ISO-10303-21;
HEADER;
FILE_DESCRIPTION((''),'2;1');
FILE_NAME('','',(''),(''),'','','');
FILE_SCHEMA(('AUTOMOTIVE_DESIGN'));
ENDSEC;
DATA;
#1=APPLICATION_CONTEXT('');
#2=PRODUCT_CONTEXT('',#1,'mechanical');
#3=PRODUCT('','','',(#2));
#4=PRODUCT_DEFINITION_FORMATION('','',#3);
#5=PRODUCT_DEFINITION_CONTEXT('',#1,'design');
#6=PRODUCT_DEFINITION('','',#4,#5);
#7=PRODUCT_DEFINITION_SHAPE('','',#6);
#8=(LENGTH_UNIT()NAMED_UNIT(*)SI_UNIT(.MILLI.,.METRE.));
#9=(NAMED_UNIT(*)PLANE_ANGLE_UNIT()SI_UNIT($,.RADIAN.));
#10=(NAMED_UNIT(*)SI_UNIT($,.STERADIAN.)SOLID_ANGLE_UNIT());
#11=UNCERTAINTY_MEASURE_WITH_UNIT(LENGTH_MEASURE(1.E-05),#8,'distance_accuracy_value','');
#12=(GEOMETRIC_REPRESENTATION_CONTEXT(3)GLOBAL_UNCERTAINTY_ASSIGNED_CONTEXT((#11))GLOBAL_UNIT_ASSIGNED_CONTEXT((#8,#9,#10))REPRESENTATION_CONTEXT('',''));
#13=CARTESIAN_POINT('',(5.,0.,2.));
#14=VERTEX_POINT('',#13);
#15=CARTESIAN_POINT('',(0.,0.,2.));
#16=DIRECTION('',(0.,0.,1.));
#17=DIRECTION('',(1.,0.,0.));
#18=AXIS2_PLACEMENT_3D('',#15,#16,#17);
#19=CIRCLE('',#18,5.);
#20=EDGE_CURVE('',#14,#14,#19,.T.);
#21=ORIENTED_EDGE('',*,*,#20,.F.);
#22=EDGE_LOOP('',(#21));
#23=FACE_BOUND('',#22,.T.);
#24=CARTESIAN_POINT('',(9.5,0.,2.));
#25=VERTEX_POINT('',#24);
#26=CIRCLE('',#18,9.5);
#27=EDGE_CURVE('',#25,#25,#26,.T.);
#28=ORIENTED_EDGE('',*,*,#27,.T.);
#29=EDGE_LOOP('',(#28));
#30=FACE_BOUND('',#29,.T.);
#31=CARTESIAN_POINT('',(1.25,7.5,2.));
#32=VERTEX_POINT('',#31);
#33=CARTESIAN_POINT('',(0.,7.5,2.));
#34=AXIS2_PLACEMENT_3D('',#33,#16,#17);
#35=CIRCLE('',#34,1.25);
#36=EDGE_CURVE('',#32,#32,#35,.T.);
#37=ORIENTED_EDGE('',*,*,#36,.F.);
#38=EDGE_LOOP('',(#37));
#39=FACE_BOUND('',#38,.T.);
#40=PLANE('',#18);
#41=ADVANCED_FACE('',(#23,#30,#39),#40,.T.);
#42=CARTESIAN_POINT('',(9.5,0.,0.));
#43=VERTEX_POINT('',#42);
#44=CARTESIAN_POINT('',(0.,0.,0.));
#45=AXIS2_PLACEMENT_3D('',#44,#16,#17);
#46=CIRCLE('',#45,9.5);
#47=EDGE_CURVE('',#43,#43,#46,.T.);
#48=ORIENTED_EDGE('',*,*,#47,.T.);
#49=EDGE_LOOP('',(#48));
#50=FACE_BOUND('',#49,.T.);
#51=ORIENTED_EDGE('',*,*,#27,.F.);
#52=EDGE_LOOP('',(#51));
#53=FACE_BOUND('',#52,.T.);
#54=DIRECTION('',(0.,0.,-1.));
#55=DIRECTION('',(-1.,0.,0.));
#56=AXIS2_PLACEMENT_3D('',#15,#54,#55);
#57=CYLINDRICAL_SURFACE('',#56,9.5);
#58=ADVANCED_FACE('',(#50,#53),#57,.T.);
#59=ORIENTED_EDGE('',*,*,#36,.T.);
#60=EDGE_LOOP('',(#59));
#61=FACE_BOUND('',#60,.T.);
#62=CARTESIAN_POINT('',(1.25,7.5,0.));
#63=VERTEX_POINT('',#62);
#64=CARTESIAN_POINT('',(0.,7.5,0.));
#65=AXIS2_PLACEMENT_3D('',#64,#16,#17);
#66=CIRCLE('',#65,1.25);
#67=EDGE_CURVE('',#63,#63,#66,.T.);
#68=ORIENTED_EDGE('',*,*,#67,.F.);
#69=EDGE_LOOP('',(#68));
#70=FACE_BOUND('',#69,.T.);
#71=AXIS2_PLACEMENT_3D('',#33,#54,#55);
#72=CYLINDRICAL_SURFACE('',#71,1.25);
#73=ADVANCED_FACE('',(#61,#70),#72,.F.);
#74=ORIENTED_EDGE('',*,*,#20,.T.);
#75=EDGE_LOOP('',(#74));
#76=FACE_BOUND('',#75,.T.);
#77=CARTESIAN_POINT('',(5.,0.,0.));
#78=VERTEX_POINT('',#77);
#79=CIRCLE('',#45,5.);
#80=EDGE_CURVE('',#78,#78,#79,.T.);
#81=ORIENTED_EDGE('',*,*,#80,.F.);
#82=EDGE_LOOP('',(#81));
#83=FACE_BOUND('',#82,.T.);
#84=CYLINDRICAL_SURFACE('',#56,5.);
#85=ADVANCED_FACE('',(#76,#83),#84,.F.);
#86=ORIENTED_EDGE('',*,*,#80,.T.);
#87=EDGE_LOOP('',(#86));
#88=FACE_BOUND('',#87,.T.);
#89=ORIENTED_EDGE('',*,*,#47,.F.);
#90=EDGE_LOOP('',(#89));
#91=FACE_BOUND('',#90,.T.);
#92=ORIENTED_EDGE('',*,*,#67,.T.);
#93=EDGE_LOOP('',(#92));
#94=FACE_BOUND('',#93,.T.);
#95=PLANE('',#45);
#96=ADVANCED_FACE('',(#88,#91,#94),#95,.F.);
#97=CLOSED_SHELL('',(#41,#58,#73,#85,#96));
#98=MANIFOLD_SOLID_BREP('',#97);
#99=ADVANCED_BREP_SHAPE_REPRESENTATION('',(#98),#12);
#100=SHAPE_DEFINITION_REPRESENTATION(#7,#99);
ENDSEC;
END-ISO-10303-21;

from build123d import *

# Parameters (mm, degrees)
CROQUIS1_R              = 9.5
CROQUIS1_R_2            = 5
CROQUIS1_R_3            = 1.25
SALIENTE_EXTRUIR1_DEPTH = 2


with BuildPart() as part:
    # Croquis1 → Saliente-Extruir1 (new body)
    with BuildSketch(Plane.XY):
        Circle(CROQUIS1_R)
        Circle(CROQUIS1_R_2, mode=Mode.SUBTRACT)
        with Locations((0, 7.5)):
            Circle(CROQUIS1_R_3, mode=Mode.SUBTRACT)
    extrude(amount=SALIENTE_EXTRUIR1_DEPTH)


solid = part.part
